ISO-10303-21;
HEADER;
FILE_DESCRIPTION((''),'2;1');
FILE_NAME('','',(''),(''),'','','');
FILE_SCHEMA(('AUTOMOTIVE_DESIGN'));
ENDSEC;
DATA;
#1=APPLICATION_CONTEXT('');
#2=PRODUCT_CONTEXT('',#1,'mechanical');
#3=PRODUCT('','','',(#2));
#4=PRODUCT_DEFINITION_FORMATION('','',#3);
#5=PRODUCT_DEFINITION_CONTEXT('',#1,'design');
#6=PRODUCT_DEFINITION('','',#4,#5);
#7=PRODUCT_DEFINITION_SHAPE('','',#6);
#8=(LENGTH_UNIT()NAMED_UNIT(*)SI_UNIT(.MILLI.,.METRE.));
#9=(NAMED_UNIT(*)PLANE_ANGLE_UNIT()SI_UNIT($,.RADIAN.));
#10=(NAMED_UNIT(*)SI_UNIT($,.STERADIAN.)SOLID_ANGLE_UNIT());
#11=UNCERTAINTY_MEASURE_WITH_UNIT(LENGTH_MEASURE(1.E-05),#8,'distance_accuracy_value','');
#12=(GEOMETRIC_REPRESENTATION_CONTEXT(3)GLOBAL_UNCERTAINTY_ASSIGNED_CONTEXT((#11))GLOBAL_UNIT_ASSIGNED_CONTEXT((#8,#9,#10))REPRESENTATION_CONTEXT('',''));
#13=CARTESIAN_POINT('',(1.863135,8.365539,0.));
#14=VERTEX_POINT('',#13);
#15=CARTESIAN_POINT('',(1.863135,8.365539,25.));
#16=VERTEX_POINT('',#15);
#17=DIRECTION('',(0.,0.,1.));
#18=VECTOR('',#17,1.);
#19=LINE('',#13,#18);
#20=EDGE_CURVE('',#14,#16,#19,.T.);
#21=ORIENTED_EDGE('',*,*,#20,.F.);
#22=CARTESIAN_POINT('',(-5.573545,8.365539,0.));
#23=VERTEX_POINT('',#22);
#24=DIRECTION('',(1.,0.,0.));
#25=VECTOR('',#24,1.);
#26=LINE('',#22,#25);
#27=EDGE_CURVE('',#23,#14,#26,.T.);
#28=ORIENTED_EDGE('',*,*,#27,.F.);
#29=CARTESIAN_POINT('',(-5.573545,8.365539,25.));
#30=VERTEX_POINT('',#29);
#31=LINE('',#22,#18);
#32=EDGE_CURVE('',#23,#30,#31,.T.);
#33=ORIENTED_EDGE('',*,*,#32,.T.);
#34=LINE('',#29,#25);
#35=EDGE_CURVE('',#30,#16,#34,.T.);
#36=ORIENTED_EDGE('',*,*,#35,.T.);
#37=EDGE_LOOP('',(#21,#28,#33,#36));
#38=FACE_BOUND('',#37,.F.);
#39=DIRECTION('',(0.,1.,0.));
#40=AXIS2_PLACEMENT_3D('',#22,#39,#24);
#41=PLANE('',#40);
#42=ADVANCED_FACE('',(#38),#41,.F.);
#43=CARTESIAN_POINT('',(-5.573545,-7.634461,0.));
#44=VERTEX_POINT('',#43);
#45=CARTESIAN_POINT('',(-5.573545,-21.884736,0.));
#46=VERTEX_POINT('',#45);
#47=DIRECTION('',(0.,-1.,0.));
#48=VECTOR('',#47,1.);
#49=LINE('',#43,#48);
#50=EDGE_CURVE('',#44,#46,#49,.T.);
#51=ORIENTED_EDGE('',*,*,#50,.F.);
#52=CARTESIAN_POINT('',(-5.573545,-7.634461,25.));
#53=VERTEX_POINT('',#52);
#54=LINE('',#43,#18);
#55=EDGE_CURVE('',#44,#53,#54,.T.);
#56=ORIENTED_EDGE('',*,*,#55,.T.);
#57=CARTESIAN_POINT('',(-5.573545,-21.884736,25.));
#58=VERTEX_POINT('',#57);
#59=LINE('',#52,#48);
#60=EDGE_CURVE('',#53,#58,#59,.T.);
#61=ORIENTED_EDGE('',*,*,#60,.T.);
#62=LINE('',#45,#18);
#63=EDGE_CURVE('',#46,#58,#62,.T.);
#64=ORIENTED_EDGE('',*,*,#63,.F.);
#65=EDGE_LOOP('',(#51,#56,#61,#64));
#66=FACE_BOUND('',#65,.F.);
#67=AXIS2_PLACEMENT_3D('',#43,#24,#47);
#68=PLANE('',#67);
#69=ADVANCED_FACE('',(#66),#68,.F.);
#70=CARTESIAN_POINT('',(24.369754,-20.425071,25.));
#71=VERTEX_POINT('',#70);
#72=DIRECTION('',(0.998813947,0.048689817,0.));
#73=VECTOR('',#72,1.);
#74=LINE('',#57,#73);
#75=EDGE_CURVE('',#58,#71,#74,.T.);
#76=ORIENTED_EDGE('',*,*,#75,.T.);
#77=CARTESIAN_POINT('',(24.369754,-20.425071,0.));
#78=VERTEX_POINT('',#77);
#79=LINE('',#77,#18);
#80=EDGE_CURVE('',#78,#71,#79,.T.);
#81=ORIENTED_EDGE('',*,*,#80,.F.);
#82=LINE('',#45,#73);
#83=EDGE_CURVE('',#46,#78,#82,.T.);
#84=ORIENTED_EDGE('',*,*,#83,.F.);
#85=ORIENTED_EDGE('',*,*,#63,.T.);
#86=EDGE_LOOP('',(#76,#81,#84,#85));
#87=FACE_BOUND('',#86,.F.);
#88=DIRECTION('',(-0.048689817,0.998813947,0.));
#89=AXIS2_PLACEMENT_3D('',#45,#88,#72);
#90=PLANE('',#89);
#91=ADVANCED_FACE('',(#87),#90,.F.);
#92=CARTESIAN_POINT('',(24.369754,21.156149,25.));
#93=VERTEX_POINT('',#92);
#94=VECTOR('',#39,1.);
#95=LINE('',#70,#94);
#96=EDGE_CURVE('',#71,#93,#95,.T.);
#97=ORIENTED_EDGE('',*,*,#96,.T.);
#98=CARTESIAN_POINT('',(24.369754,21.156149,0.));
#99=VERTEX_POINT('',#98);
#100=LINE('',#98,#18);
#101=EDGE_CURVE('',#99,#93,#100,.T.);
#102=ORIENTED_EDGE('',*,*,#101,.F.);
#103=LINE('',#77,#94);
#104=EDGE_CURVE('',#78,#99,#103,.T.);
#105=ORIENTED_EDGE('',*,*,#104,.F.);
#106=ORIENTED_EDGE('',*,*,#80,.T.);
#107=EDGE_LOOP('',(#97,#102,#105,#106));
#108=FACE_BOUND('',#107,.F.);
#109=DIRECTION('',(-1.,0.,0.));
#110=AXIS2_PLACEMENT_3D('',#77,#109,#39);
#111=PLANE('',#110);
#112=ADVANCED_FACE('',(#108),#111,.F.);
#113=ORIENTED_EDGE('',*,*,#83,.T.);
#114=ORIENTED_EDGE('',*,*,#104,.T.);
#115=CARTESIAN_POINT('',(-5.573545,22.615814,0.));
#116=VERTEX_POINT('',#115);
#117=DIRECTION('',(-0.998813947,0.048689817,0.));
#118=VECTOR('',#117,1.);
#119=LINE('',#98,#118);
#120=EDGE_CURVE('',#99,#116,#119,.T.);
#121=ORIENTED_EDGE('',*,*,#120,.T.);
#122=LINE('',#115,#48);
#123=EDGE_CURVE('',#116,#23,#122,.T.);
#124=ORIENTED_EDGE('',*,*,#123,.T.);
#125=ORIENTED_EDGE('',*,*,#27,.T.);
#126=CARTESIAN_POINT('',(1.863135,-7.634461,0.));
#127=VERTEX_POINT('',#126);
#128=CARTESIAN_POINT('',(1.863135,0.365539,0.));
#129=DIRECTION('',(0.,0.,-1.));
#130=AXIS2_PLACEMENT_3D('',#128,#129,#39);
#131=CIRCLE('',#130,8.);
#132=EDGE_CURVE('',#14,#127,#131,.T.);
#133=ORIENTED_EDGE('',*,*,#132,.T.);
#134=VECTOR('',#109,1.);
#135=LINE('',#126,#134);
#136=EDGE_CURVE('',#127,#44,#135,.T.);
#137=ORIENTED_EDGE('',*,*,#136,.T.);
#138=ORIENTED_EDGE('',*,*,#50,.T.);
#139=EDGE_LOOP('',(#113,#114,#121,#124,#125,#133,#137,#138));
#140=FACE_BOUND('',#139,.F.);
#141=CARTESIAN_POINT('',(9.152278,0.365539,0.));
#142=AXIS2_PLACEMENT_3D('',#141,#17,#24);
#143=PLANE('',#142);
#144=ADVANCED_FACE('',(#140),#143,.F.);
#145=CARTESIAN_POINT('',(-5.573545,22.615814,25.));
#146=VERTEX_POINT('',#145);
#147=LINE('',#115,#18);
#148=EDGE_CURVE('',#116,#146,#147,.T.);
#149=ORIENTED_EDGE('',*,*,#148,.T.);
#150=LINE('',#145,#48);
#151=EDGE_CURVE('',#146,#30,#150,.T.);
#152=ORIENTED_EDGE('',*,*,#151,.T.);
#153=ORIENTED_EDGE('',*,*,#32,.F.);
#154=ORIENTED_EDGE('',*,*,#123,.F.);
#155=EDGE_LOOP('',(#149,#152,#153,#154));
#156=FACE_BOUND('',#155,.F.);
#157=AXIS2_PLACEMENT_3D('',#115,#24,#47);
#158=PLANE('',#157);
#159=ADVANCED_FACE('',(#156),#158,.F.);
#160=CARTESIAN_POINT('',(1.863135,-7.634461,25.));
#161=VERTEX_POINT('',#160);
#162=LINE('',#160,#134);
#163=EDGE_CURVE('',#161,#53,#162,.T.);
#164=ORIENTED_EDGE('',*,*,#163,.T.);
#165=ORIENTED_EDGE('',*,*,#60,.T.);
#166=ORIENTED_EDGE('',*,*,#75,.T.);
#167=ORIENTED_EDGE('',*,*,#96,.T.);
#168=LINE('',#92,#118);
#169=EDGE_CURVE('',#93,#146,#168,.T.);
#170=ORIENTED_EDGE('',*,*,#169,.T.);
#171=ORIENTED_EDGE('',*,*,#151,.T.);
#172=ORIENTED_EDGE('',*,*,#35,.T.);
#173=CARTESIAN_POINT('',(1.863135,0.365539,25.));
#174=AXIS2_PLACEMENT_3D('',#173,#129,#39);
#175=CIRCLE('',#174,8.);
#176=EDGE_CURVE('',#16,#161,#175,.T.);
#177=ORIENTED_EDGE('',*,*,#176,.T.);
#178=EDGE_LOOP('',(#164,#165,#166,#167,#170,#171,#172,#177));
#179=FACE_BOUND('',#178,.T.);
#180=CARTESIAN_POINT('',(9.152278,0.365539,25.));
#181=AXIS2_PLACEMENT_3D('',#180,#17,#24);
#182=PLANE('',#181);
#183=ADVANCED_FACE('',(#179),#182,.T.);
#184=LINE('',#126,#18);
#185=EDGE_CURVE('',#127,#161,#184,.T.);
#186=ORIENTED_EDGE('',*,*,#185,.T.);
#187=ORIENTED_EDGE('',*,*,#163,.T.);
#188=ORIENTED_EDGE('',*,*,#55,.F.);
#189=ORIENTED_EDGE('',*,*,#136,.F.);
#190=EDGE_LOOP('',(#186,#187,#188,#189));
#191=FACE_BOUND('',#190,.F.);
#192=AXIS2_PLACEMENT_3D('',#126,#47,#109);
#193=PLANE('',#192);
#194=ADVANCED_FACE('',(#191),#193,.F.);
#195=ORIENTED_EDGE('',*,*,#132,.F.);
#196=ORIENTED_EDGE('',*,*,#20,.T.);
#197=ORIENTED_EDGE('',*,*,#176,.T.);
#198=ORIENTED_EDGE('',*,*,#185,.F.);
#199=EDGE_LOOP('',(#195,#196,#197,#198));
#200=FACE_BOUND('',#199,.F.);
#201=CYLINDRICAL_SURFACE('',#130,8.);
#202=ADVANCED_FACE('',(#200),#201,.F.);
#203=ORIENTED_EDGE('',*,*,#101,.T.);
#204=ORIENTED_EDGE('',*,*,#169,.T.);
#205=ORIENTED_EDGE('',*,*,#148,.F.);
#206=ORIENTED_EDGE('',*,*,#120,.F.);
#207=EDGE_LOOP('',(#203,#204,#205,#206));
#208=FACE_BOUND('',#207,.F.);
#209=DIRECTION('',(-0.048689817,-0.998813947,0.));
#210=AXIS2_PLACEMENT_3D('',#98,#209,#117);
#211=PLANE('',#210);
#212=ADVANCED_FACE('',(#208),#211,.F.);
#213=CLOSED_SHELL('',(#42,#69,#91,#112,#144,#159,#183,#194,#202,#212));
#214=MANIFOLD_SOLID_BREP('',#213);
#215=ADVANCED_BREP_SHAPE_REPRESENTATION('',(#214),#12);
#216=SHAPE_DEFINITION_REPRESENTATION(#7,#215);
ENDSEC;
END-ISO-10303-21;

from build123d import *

# Parameters (mm, degrees)
F1_DEPTH = 25


with BuildPart() as f1:
    # F0 (on Top) → F1 (new body)
    with BuildSketch(Plane.XY):
        with BuildLine():
            ThreePointArc((1.863135, 8.365539), (9.863135, 0.365539), (1.863135, -7.634461))
            Line((1.863135, -7.634461), (-5.573545, -7.634461))
            Line((-5.573545, -7.634461), (-5.573545, -21.884736))
            Line((-5.573545, -21.884736), (24.369754, -20.425071))
            Line((24.369754, -20.425071), (24.369754, 21.156149))
            Line((24.369754, 21.156149), (-5.573545, 22.615814))
            Line((-5.573545, 22.615814), (-5.573545, 8.365539))
            Line((-5.573545, 8.365539), (1.863135, 8.365539))
        make_face()
    extrude(amount=F1_DEPTH)


solid = f1.part
